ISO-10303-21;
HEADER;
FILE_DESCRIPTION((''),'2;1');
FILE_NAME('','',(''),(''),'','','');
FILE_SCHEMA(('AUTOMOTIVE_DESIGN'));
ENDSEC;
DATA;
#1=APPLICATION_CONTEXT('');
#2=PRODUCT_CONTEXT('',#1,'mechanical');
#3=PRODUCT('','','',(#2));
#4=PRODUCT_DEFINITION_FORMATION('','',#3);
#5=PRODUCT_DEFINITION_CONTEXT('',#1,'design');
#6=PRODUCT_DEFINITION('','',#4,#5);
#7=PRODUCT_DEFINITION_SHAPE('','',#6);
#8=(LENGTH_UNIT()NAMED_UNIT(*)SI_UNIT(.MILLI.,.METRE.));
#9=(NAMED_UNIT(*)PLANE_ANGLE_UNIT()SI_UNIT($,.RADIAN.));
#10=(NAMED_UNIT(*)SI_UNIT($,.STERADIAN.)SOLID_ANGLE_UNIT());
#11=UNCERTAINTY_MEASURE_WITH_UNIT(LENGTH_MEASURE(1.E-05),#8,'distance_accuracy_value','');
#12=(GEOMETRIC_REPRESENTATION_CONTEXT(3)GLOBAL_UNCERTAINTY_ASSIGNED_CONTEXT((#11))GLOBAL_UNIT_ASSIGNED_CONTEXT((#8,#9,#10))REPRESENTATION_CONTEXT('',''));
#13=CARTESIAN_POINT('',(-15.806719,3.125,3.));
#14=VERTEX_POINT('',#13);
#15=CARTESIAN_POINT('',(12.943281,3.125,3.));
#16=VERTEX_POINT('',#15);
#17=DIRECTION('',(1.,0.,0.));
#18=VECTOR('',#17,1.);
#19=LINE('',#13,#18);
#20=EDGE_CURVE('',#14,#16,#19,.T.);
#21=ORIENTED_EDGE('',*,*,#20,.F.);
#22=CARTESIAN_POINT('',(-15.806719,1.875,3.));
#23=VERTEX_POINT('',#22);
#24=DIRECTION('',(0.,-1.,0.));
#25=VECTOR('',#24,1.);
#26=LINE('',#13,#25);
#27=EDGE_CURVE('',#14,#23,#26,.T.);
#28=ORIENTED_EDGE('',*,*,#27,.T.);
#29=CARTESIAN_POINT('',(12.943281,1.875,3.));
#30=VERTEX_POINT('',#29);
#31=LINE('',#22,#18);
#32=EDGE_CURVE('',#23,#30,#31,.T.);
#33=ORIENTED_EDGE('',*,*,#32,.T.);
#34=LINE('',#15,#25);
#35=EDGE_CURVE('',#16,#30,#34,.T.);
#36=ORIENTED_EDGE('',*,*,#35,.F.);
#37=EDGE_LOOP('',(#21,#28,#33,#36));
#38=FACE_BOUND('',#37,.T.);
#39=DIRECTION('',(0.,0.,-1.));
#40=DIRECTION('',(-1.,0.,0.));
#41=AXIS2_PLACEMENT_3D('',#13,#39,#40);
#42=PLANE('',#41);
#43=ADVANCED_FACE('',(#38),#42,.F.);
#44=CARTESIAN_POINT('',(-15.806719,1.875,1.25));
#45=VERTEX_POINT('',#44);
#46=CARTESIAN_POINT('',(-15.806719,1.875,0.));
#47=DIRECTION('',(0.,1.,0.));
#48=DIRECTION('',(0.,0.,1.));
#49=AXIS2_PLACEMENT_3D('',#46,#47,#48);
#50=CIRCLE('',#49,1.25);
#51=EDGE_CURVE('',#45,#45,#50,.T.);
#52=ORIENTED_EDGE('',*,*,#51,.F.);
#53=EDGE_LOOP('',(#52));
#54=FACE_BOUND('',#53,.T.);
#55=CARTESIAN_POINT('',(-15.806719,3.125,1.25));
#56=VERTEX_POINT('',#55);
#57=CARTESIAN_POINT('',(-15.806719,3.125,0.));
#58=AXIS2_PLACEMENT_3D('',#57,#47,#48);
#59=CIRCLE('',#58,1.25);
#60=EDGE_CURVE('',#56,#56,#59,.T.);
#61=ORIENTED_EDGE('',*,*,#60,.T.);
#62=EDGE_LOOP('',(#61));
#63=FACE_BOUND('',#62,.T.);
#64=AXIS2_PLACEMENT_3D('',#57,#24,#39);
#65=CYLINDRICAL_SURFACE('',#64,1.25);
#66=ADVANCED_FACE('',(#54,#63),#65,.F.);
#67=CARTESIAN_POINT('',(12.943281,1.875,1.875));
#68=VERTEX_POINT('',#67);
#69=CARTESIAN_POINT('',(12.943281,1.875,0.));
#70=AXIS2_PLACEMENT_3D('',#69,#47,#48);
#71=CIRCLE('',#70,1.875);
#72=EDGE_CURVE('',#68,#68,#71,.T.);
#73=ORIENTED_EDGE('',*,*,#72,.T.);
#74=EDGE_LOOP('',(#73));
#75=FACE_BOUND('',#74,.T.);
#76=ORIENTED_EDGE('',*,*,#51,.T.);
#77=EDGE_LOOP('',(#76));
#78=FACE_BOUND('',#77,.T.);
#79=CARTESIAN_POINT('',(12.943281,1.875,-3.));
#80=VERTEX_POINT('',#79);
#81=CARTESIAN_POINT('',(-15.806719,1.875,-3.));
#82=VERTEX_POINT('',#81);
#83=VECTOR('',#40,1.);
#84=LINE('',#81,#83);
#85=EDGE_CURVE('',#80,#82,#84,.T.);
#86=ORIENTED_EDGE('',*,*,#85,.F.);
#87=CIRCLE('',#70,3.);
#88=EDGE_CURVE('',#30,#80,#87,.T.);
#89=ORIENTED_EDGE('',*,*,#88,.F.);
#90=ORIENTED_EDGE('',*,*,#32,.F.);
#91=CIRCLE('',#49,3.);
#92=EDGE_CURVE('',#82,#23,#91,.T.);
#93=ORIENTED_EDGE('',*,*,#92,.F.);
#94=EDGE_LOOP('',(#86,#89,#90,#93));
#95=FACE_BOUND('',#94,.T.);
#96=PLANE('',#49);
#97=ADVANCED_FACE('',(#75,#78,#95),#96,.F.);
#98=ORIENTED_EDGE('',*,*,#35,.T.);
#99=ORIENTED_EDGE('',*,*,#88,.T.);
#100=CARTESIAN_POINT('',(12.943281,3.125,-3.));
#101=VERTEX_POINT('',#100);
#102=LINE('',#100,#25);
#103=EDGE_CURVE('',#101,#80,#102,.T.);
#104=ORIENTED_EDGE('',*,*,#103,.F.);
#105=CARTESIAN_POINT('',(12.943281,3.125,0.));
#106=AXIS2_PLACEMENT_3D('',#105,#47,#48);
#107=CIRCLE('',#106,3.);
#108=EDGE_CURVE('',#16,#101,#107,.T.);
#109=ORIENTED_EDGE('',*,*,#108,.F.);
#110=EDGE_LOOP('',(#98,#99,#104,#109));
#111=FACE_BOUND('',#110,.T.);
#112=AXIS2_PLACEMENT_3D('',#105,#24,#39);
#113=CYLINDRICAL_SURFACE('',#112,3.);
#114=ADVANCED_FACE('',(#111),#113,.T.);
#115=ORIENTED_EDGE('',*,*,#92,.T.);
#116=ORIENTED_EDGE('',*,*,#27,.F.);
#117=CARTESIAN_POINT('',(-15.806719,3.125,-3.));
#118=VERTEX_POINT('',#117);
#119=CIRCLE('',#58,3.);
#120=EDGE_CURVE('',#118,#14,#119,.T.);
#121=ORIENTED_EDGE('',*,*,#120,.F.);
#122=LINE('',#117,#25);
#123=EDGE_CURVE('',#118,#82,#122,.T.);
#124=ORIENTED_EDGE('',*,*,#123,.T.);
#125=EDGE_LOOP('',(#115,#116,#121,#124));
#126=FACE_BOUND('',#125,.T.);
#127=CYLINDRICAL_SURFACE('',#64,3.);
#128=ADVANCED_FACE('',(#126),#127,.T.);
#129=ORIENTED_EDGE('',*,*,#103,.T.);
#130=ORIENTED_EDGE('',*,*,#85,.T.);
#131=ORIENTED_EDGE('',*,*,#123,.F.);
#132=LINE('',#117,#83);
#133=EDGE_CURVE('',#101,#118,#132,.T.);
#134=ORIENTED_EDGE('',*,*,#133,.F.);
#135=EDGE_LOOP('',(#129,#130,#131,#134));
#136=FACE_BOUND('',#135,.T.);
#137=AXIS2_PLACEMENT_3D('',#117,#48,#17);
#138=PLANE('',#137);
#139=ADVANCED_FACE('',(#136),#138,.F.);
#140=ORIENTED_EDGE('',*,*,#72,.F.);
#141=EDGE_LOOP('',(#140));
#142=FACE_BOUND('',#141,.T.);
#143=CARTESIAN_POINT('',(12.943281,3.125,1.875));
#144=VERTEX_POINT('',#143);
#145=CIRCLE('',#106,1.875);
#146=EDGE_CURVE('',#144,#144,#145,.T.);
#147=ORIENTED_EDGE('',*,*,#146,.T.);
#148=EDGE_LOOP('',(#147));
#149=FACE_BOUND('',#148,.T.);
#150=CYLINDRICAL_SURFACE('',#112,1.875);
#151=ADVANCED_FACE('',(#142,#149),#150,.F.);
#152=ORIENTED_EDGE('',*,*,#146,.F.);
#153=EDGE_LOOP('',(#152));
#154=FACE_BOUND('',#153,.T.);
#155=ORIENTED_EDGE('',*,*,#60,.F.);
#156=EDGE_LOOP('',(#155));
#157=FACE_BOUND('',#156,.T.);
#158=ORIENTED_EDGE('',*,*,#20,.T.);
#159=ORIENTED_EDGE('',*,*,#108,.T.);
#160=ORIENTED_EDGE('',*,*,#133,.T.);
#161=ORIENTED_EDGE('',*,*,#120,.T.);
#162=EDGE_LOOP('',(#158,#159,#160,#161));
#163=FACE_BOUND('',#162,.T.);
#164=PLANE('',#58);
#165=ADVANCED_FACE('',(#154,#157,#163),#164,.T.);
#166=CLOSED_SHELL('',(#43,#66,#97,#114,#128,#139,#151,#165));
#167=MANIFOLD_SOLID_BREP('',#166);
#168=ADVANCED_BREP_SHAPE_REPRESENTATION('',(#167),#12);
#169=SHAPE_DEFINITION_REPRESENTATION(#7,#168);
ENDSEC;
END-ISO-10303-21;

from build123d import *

# Parameters (mm, degrees)
SKETCH1_R           = 5
SKETCH1_R_2         = 7.5
BOSS_EXTRUDE1_DEPTH = 5
SCALE1_SCALE        = 0.25


with BuildPart() as part:
    # Sketch1 → Boss-Extrude1 (new body)
    with BuildSketch(Plane(origin=(0, 0, 0), x_dir=(1, 0, 0), z_dir=(0, 1, 0))):
        with BuildLine():
            Line((-57.5, 12), (57.5, 12))
            ThreePointArc((57.5, 12), (69.5, 0), (57.5, -12))
            Line((57.5, -12), (-57.5, -12))
            ThreePointArc((-57.5, -12), (-69.5, 0), (-57.5, 12))
        make_face()
        with Locations(Location((-57.5, 0, 0), (0, 0, 270))):
            Circle(SKETCH1_R, mode=Mode.SUBTRACT)
        with Locations(Location((57.5, 0, 0), (0, 0, 270))):
            Circle(SKETCH1_R_2, mode=Mode.SUBTRACT)
    extrude(amount=BOSS_EXTRUDE1_DEPTH)


with BuildPart() as part_1:
    # Scale1: scaled about (-1.908958981, 2.5, 0)
    add(part.part.scale(SCALE1_SCALE).moved(Location((-1.431719236, 1.875, 0))))


solid = part_1.part
